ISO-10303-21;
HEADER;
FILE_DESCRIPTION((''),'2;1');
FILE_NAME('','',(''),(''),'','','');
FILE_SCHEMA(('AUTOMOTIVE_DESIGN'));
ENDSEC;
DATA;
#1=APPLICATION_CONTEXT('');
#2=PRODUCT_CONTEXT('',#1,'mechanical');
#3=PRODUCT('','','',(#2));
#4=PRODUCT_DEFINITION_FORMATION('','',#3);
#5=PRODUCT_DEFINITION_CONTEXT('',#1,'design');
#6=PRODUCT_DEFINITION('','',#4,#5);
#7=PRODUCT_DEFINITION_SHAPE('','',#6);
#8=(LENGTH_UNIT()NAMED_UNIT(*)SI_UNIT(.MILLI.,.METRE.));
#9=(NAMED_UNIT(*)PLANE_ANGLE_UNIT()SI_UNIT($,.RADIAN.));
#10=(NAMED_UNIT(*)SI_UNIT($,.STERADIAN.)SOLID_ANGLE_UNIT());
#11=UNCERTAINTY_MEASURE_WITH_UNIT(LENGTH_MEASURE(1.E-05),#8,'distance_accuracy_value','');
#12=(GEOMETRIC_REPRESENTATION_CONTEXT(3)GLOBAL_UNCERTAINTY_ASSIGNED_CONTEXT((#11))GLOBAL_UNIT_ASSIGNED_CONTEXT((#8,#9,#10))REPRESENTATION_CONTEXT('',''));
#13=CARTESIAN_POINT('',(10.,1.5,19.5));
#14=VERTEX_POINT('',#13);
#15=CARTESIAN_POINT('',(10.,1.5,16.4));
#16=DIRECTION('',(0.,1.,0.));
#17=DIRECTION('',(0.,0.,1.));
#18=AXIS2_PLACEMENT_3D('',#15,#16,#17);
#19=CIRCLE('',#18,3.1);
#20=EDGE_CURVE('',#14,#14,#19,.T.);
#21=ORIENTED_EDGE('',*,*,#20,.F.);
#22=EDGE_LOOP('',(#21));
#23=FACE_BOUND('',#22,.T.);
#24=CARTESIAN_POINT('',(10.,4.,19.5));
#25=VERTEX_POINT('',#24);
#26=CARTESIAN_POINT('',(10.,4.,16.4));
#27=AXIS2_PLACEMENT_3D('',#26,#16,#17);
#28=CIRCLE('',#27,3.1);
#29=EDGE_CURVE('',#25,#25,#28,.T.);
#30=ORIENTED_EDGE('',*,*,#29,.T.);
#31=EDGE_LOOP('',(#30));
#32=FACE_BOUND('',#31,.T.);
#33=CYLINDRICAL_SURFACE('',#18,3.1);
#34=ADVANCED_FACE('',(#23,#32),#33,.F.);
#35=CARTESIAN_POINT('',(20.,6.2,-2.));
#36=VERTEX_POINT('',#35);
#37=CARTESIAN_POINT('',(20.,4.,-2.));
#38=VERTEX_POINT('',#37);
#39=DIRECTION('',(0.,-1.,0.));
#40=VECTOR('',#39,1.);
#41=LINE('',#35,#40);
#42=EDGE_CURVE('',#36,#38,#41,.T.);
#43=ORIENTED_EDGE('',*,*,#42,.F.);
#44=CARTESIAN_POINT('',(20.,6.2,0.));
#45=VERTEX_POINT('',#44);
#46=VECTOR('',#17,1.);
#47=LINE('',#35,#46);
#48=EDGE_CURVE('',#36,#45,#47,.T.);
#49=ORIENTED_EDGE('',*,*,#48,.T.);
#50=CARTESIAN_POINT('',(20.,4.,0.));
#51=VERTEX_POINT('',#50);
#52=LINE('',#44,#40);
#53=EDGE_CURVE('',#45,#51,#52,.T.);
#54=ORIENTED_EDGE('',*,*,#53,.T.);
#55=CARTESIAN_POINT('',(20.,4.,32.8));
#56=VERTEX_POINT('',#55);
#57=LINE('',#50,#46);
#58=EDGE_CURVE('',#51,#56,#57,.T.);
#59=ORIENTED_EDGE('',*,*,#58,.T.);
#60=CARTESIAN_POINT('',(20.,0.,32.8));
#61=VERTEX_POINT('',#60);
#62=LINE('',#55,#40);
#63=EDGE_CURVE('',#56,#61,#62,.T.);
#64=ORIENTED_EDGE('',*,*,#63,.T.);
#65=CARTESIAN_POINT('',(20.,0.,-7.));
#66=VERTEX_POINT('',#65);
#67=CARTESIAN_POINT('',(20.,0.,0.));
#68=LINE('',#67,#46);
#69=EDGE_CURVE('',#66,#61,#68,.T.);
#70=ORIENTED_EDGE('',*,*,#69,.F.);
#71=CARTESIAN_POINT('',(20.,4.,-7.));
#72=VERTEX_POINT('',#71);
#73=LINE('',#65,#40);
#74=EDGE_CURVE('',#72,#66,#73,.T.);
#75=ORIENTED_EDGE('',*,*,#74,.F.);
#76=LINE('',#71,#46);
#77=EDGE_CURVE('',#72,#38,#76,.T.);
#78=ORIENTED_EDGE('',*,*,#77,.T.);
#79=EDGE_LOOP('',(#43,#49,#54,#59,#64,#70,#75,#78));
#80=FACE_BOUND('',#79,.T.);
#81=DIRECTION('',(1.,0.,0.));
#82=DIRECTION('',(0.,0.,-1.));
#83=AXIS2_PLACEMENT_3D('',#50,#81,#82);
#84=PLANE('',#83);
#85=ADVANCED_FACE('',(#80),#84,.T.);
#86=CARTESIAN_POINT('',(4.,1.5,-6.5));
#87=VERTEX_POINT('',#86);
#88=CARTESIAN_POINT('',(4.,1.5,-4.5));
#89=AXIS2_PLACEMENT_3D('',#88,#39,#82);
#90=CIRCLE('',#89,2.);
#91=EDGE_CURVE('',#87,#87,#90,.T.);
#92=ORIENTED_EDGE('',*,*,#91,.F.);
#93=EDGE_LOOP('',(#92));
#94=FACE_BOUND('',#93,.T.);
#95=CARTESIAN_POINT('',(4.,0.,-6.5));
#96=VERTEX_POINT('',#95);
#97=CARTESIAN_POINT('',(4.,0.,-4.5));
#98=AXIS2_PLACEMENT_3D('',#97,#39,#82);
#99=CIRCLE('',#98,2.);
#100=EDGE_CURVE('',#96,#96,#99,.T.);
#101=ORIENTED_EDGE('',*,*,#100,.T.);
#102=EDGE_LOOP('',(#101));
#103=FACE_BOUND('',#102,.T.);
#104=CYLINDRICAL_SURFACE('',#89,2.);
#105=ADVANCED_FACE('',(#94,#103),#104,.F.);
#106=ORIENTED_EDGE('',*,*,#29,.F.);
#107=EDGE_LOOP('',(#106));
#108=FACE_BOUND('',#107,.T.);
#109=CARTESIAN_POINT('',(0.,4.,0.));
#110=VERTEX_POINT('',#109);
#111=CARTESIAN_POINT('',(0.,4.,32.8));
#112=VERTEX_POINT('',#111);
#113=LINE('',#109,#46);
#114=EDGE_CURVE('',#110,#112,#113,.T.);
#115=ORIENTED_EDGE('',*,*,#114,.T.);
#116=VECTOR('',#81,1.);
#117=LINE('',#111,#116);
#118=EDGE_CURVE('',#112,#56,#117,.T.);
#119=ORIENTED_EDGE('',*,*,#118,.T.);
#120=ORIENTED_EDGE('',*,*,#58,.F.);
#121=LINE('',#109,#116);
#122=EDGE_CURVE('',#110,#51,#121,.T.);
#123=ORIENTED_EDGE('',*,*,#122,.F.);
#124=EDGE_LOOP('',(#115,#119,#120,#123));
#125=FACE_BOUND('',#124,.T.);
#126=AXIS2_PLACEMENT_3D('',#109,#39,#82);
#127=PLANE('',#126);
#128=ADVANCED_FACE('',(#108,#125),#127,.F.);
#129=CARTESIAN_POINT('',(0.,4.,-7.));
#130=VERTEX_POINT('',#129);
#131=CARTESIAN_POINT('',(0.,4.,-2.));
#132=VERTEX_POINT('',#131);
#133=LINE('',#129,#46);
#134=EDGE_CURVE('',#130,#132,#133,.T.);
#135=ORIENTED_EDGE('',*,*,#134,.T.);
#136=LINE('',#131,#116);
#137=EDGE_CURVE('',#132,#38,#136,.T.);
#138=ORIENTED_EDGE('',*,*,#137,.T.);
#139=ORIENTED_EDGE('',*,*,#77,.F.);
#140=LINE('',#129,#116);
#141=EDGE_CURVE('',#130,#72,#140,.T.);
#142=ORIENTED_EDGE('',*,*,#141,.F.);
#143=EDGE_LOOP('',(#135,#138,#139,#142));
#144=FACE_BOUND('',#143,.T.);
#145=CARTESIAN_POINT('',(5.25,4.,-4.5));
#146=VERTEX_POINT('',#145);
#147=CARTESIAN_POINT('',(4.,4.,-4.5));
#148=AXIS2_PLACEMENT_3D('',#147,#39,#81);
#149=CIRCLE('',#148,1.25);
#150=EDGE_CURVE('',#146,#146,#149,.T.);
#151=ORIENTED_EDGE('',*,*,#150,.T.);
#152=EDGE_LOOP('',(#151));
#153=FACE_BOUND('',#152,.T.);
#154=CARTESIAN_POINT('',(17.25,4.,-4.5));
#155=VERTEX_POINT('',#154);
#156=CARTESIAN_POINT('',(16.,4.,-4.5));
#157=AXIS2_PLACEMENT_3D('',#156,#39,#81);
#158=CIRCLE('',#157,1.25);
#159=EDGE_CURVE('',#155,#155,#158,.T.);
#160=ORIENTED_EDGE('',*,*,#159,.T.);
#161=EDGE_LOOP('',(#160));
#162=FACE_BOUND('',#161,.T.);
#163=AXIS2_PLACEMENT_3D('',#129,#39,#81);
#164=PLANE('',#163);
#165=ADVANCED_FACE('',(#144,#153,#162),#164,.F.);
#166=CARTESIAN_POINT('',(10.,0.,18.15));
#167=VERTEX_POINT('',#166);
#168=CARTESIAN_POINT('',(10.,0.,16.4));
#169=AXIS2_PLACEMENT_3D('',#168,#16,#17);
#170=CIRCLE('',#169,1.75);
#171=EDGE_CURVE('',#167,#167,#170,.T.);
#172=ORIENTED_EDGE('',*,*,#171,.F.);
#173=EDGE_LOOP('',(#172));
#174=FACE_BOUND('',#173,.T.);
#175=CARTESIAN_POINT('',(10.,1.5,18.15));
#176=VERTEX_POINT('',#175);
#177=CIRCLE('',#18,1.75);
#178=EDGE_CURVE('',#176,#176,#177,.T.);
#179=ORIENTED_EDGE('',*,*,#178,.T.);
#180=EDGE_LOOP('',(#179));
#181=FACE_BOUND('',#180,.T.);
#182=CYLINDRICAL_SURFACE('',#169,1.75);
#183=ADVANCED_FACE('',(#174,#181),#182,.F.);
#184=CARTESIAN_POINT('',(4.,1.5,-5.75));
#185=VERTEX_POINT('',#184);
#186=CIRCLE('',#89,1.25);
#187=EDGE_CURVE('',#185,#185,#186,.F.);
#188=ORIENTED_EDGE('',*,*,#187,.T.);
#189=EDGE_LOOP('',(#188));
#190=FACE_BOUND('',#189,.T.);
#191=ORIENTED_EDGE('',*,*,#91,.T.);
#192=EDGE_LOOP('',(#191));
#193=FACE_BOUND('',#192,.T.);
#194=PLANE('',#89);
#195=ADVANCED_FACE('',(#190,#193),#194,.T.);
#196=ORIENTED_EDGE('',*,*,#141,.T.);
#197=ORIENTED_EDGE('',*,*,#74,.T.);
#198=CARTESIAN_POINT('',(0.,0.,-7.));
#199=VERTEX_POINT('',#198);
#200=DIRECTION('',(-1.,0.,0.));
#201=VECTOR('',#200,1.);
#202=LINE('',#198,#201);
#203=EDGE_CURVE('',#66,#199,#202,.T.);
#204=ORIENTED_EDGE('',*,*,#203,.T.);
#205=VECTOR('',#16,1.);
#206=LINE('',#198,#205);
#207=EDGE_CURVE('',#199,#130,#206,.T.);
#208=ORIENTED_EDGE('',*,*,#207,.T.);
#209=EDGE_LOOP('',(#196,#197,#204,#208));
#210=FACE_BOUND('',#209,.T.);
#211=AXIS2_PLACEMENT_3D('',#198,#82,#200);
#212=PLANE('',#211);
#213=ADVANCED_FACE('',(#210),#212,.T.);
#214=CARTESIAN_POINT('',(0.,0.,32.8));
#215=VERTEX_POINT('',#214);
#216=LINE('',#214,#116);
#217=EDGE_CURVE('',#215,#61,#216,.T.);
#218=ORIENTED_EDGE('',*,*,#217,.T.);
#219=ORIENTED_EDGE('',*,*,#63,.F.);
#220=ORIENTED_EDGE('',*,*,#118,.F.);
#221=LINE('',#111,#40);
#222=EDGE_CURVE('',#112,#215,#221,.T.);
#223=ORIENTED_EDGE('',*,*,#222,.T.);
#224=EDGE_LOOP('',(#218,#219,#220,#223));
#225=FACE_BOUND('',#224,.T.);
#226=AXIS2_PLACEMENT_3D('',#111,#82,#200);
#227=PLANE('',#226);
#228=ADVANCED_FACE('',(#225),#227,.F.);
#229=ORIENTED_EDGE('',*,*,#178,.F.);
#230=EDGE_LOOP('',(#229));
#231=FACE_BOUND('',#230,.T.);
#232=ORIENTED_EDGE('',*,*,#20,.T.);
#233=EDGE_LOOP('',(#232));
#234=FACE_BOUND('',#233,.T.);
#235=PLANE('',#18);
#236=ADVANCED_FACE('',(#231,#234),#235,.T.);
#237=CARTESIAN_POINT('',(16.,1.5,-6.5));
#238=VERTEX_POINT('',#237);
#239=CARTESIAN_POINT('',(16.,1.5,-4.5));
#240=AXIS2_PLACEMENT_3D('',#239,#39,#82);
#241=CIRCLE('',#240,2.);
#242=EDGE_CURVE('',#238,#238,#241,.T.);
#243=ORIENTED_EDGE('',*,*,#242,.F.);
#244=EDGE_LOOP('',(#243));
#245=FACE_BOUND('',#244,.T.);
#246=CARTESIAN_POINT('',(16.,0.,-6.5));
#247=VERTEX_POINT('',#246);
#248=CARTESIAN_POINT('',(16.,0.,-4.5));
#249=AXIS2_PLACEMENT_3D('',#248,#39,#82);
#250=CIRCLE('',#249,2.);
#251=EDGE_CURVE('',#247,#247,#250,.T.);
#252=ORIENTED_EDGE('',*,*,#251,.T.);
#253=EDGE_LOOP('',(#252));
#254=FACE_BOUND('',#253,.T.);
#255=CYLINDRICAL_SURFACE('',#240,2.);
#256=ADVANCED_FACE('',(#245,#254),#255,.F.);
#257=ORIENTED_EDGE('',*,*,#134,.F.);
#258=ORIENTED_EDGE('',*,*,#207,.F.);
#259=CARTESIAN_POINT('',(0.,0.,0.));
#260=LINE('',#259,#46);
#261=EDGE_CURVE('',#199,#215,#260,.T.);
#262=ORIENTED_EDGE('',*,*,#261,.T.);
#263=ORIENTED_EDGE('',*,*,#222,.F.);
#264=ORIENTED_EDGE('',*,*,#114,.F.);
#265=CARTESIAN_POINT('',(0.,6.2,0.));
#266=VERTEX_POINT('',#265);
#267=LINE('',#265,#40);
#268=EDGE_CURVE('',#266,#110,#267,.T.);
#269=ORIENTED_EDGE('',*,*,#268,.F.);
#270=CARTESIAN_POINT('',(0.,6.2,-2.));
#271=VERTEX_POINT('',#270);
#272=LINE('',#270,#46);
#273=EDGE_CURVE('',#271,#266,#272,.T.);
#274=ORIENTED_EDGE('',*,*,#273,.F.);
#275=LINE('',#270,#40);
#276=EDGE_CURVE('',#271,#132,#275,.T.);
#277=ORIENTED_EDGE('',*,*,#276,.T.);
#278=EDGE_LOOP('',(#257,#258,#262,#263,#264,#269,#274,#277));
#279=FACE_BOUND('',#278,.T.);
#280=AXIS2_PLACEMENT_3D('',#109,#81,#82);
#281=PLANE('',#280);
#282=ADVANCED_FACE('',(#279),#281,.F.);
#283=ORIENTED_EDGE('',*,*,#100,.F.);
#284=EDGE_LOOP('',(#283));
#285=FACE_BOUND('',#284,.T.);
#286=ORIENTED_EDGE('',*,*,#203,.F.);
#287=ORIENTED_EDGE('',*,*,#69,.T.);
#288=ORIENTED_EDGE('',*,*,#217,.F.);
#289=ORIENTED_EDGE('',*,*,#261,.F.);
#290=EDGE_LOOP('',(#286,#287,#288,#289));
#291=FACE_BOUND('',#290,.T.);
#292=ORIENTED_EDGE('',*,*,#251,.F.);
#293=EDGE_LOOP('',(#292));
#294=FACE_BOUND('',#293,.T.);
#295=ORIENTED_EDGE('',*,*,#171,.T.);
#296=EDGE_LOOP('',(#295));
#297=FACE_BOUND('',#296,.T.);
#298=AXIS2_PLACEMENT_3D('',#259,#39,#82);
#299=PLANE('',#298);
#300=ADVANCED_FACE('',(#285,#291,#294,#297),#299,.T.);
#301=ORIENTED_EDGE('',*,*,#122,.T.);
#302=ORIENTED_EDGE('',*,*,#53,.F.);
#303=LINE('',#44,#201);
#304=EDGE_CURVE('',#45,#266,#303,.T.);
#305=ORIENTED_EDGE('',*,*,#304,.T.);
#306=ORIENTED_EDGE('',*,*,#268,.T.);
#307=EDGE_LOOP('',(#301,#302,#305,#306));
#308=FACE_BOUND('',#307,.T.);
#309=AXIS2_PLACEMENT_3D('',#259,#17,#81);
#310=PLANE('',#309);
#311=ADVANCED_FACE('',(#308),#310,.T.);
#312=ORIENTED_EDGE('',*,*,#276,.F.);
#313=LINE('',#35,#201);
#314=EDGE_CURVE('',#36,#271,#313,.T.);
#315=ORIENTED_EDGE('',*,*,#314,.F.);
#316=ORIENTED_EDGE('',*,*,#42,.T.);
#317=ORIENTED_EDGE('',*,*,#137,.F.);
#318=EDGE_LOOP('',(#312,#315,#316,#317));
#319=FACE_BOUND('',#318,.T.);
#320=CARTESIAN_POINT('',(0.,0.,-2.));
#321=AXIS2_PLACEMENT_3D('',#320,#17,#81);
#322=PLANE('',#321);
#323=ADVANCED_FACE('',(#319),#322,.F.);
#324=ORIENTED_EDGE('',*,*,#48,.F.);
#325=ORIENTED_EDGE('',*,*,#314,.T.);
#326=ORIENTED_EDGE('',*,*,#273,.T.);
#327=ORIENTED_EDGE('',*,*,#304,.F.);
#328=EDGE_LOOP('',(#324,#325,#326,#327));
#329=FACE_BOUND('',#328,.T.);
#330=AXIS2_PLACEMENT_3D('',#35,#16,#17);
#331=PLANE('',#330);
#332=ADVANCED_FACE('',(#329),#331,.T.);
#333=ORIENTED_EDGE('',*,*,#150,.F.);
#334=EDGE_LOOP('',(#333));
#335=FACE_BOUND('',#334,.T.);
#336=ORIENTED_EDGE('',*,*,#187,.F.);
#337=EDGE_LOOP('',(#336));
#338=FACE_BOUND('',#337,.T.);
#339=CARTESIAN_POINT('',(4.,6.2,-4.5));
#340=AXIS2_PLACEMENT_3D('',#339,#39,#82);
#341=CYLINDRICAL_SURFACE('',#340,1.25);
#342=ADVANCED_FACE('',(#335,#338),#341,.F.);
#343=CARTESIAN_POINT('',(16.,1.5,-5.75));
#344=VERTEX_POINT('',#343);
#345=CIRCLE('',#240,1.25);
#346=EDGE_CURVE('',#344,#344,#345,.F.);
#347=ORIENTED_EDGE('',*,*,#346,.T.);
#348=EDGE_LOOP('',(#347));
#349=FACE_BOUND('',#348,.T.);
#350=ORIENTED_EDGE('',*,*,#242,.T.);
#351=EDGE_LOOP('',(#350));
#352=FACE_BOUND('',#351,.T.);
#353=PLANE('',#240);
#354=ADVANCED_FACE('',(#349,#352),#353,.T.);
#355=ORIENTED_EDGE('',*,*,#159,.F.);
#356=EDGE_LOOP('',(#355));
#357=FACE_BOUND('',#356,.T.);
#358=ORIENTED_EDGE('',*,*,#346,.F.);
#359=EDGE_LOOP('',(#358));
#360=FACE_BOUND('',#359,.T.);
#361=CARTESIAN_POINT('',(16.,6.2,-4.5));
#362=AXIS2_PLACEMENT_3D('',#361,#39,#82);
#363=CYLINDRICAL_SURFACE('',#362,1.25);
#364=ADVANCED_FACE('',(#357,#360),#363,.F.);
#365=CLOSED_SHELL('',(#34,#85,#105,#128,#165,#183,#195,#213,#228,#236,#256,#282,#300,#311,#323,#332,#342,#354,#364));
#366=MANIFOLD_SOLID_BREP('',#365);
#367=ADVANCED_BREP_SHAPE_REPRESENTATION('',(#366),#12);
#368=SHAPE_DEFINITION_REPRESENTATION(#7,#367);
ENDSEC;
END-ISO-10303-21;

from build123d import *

# Parameters (mm, degrees)
SKETCH_1_W          = 20
SKETCH_1_H          = 32.8
EXTRUDE_1_DEPTH     = 4
CUT_EXTRUDE_1_DEPTH = 1.6
SKETCH_4_R          = 2
CUT_EXTRUDE_2_DEPTH = 1.5
SKETCH_4_3_R        = 1.25
CUT_EXTRUDE_3_DEPTH = 39.624344655
SKETCH_5_W          = 20
SKETCH_5_H          = 6.2
EXTRUDE_4_DEPTH     = 2
EXTRUDE_START       = 2
SKETCH_5_6_W        = 20
SKETCH_5_6_H        = 4
EXTRUDE_5_DEPTH     = 5
SKETCH_6_R          = 1.25
CUT_EXTRUDE_4_DEPTH = 39.913750783
SKETCH_6_3_R        = 2
CUT_EXTRUDE_5_DEPTH = 1.5
SKETCH_1_3_W        = 20
SKETCH_1_3_H        = 32.8
EXTRUDE_6_DEPTH     = 4
SKETCH_7_R          = 3.1
CUT_EXTRUDE_7_DEPTH = 2.5
SKETCH_7_4_R        = 1.75
CUT_EXTRUDE_8_DEPTH = 39.624344655


with BuildPart() as part:
    # 草图1 → 凸台-拉伸1 (new body)
    with BuildSketch(Plane(origin=(0, 0, 0), x_dir=(1, 0, 0), z_dir=(0, 1, 0))):
        with Locations((10, -16.4)):
            Rectangle(SKETCH_1_W, SKETCH_1_H)
    extrude(amount=EXTRUDE_1_DEPTH)

    # 草图3 → 切除-拉伸1 (cut)
    with BuildSketch(Plane(origin=(0, 4, 0), x_dir=(-1, 0, 0), z_dir=(0, 1, 0))):
        with BuildLine():
            Line((-12.8, 13.543428629), (-12.095952788, 2.219685343))
            ThreePointArc((-12.095952788, 2.219685343), (-10, 0.25), (-7.904047212, 2.219685343))
            Line((-7.904047212, 2.219685343), (-7.2, 13.543428629))
            ThreePointArc((-7.2, 13.543428629), (-6, 16.4), (-7.2, 19.256571371))
            Line((-7.2, 19.256571371), (-7.904047212, 30.580314657))
            ThreePointArc((-7.904047212, 30.580314657), (-10, 32.55), (-12.095952788, 30.580314657))
            Line((-12.095952788, 30.580314657), (-12.8, 19.256571371))
            ThreePointArc((-12.8, 19.256571371), (-14, 16.4), (-12.8, 13.543428629))
        make_face()
    extrude(amount=-CUT_EXTRUDE_1_DEPTH, mode=Mode.SUBTRACT)

    # 草图4 → 切除-拉伸2 (cut)
    with BuildSketch(Plane.XZ):
        with Locations(Location((4, 4, 0), (0, 0, 270))):
            Circle(SKETCH_4_R)
        with Locations(Location((4, 28.8, 0), (0, 0, 270))):
            Circle(SKETCH_4_R)
        with Locations(Location((16, 28.8, 0), (0, 0, 270))):
            Circle(SKETCH_4_R)
        with Locations(Location((16, 4, 0), (0, 0, 270))):
            Circle(SKETCH_4_R)
    extrude(amount=-CUT_EXTRUDE_2_DEPTH, mode=Mode.SUBTRACT)

    # 草图4<3> → 切除-拉伸3 (cut, through all)
    with BuildSketch(Plane.XZ):
        with Locations(Location((4, 4, 0), (0, 0, 270))):
            Circle(SKETCH_4_3_R)
        with Locations(Location((4, 28.8, 0), (0, 0, 270))):
            Circle(SKETCH_4_3_R)
        with Locations(Location((16, 4, 0), (0, 0, 270))):
            Circle(SKETCH_4_3_R)
        with Locations(Location((16, 28.8, 0), (0, 0, 270))):
            Circle(SKETCH_4_3_R)
    extrude(amount=-CUT_EXTRUDE_3_DEPTH, mode=Mode.SUBTRACT)

    # 草图5 → 凸台-拉伸4 (add)
    with BuildSketch(Plane(origin=(0, 0, 0), x_dir=(-1, 0, 0), z_dir=(0, 0, -1))):
        with Locations((-10, 3.1)):
            Rectangle(SKETCH_5_W, SKETCH_5_H)
    extrude(amount=EXTRUDE_4_DEPTH)

    # 草图5<6> → 凸台-拉伸5 (add)
    with BuildSketch(Plane(origin=(0, 0, 0), x_dir=(-1, 0, 0), z_dir=(0, 0, -1)).offset(EXTRUDE_START)):
        with Locations((-10, 2)):
            Rectangle(SKETCH_5_6_W, SKETCH_5_6_H)
    extrude(amount=EXTRUDE_5_DEPTH)

    # 草图6 → 切除-拉伸4 (cut, through all)
    with BuildSketch(Plane.XZ):
        with Locations(Location((4, -4.5, 0), (0, 0, 270))):
            Circle(SKETCH_6_R)
        with Locations(Location((16, -4.5, 0), (0, 0, 270))):
            Circle(SKETCH_6_R)
    extrude(amount=-CUT_EXTRUDE_4_DEPTH, mode=Mode.SUBTRACT)

    # 草图6<3> → 切除-拉伸5 (cut)
    with BuildSketch(Plane.XZ):
        with Locations(Location((4, -4.5, 0), (0, 0, 270))):
            Circle(SKETCH_6_3_R)
        with Locations(Location((16, -4.5, 0), (0, 0, 270))):
            Circle(SKETCH_6_3_R)
    extrude(amount=-CUT_EXTRUDE_5_DEPTH, mode=Mode.SUBTRACT)

    # 草图1<3> → 凸台-拉伸6 (add)
    with BuildSketch(Plane(origin=(0, 0, 0), x_dir=(1, 0, 0), z_dir=(0, 1, 0))):
        with Locations((10, -16.4)):
            Rectangle(SKETCH_1_3_W, SKETCH_1_3_H)
    extrude(amount=EXTRUDE_6_DEPTH)

    # 草图7 → 切除-拉伸7 (cut)
    with BuildSketch(Plane(origin=(0, 4, 0), x_dir=(1, 0, 0), z_dir=(0, 1, 0))):
        with Locations(Location((10, -16.4, 0), (0, 0, 270))):
            Circle(SKETCH_7_R)
    extrude(amount=-CUT_EXTRUDE_7_DEPTH, mode=Mode.SUBTRACT)

    # 草图7<4> → 切除-拉伸8 (cut, through all)
    with BuildSketch(Plane(origin=(0, 4, 0), x_dir=(1, 0, 0), z_dir=(0, 1, 0))):
        with Locations(Location((10, -16.4, 0), (0, 0, 270))):
            Circle(SKETCH_7_4_R)
    extrude(amount=-CUT_EXTRUDE_8_DEPTH, mode=Mode.SUBTRACT)


solid = part.part
